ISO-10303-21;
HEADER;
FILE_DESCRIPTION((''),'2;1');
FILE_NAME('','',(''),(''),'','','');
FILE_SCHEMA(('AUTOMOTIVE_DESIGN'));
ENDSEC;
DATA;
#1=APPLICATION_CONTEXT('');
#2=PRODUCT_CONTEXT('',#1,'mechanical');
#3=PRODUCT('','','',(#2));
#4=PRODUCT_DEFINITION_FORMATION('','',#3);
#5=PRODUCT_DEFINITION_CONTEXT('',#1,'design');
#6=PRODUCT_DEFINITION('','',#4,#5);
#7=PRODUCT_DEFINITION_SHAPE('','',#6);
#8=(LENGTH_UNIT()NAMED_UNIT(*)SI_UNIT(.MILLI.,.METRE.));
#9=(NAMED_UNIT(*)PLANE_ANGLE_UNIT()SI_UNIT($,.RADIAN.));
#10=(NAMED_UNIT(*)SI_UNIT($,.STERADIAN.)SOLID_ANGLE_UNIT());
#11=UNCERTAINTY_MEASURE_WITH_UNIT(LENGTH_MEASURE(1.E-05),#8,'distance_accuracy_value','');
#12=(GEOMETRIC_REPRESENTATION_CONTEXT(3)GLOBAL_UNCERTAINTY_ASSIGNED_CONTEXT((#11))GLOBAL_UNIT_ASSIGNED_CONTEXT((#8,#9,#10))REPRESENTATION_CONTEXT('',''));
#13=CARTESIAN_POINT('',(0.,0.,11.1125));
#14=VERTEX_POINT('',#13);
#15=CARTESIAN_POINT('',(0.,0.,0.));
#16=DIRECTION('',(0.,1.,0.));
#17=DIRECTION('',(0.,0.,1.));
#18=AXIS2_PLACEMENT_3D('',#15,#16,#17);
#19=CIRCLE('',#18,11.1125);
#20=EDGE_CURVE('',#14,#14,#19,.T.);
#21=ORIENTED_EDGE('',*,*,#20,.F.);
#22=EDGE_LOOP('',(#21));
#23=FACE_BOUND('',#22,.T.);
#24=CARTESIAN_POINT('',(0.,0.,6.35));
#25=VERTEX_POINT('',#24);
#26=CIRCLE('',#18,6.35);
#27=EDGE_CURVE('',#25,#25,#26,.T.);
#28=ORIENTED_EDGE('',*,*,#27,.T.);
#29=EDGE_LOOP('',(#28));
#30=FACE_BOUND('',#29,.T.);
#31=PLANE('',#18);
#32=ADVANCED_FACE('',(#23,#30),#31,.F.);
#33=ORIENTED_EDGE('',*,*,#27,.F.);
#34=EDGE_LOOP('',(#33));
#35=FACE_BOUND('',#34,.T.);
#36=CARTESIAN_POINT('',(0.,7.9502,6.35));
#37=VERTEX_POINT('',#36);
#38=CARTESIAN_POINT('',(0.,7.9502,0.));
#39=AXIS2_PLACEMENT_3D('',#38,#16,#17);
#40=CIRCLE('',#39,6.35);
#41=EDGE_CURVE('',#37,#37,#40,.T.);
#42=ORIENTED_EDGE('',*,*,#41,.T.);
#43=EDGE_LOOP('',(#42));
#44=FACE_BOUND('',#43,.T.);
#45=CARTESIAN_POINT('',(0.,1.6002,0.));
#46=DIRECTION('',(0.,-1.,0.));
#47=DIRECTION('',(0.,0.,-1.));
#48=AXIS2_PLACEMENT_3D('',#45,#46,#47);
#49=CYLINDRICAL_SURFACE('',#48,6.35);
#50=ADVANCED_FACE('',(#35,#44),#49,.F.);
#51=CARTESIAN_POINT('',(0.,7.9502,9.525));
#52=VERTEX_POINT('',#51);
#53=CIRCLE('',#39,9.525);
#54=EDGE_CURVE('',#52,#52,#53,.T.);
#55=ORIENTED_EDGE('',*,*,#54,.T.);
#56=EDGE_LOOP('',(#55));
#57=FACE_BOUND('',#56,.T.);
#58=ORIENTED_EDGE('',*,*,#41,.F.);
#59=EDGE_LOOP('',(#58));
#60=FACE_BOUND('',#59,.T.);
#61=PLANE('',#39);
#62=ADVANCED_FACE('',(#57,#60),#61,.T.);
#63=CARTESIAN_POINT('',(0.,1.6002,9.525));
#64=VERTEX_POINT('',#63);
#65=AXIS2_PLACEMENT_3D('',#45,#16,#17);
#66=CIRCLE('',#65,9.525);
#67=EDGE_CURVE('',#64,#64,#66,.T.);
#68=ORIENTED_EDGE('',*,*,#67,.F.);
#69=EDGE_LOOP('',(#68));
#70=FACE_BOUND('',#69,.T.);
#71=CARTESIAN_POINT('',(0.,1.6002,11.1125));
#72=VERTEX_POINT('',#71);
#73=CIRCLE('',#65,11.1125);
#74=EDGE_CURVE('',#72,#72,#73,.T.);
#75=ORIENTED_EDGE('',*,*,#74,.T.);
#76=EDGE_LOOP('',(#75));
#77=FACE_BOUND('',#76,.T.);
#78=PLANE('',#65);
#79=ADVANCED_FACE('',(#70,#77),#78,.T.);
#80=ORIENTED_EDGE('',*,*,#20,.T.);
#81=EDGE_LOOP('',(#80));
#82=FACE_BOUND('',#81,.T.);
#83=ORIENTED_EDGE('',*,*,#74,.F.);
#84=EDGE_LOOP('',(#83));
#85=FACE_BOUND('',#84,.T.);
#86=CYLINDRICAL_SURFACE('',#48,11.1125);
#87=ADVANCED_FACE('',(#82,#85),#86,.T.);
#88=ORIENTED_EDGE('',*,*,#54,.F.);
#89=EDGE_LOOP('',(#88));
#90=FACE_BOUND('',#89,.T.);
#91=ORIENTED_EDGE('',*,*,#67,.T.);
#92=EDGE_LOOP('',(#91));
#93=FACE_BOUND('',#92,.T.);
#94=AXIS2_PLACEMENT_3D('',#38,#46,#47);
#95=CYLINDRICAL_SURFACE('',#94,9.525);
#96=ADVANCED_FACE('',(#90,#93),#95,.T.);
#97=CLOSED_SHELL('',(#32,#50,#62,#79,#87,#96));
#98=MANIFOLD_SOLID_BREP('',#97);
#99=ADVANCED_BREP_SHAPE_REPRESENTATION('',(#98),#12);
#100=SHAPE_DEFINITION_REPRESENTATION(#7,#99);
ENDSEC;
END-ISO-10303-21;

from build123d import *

# Parameters (mm, degrees)
SKETCH1_R           = 11.1125
SKETCH1_R_2         = 6.35
BOSS_EXTRUDE1_DEPTH = 1.6002
SKETCH2_R           = 9.525
SKETCH2_R_2         = 6.35
BOSS_EXTRUDE2_DEPTH = 6.35


with BuildPart() as part:
    # Sketch1 → Boss-Extrude1 (new body)
    with BuildSketch(Plane(origin=(0, 0, 0), x_dir=(1, 0, 0), z_dir=(0, 1, 0))):
        with Locations(Location((0, 0, 0), (0, 0, 270))):
            Circle(SKETCH1_R)
        with Locations(Location((0, 0, 0), (0, 0, 270))):
            Circle(SKETCH1_R_2, mode=Mode.SUBTRACT)
    extrude(amount=BOSS_EXTRUDE1_DEPTH)

    # Sketch2 → Boss-Extrude2 (add)
    with BuildSketch(Plane(origin=(0, 1.6002, 0), x_dir=(1, 0, 0), z_dir=(0, 1, 0))):
        with Locations(Location((0, 0, 0), (0, 0, 270))):
            Circle(SKETCH2_R)
        with Locations(Location((0, 0, 0), (0, 0, 270))):
            Circle(SKETCH2_R_2, mode=Mode.SUBTRACT)
    extrude(amount=BOSS_EXTRUDE2_DEPTH)


solid = part.part
